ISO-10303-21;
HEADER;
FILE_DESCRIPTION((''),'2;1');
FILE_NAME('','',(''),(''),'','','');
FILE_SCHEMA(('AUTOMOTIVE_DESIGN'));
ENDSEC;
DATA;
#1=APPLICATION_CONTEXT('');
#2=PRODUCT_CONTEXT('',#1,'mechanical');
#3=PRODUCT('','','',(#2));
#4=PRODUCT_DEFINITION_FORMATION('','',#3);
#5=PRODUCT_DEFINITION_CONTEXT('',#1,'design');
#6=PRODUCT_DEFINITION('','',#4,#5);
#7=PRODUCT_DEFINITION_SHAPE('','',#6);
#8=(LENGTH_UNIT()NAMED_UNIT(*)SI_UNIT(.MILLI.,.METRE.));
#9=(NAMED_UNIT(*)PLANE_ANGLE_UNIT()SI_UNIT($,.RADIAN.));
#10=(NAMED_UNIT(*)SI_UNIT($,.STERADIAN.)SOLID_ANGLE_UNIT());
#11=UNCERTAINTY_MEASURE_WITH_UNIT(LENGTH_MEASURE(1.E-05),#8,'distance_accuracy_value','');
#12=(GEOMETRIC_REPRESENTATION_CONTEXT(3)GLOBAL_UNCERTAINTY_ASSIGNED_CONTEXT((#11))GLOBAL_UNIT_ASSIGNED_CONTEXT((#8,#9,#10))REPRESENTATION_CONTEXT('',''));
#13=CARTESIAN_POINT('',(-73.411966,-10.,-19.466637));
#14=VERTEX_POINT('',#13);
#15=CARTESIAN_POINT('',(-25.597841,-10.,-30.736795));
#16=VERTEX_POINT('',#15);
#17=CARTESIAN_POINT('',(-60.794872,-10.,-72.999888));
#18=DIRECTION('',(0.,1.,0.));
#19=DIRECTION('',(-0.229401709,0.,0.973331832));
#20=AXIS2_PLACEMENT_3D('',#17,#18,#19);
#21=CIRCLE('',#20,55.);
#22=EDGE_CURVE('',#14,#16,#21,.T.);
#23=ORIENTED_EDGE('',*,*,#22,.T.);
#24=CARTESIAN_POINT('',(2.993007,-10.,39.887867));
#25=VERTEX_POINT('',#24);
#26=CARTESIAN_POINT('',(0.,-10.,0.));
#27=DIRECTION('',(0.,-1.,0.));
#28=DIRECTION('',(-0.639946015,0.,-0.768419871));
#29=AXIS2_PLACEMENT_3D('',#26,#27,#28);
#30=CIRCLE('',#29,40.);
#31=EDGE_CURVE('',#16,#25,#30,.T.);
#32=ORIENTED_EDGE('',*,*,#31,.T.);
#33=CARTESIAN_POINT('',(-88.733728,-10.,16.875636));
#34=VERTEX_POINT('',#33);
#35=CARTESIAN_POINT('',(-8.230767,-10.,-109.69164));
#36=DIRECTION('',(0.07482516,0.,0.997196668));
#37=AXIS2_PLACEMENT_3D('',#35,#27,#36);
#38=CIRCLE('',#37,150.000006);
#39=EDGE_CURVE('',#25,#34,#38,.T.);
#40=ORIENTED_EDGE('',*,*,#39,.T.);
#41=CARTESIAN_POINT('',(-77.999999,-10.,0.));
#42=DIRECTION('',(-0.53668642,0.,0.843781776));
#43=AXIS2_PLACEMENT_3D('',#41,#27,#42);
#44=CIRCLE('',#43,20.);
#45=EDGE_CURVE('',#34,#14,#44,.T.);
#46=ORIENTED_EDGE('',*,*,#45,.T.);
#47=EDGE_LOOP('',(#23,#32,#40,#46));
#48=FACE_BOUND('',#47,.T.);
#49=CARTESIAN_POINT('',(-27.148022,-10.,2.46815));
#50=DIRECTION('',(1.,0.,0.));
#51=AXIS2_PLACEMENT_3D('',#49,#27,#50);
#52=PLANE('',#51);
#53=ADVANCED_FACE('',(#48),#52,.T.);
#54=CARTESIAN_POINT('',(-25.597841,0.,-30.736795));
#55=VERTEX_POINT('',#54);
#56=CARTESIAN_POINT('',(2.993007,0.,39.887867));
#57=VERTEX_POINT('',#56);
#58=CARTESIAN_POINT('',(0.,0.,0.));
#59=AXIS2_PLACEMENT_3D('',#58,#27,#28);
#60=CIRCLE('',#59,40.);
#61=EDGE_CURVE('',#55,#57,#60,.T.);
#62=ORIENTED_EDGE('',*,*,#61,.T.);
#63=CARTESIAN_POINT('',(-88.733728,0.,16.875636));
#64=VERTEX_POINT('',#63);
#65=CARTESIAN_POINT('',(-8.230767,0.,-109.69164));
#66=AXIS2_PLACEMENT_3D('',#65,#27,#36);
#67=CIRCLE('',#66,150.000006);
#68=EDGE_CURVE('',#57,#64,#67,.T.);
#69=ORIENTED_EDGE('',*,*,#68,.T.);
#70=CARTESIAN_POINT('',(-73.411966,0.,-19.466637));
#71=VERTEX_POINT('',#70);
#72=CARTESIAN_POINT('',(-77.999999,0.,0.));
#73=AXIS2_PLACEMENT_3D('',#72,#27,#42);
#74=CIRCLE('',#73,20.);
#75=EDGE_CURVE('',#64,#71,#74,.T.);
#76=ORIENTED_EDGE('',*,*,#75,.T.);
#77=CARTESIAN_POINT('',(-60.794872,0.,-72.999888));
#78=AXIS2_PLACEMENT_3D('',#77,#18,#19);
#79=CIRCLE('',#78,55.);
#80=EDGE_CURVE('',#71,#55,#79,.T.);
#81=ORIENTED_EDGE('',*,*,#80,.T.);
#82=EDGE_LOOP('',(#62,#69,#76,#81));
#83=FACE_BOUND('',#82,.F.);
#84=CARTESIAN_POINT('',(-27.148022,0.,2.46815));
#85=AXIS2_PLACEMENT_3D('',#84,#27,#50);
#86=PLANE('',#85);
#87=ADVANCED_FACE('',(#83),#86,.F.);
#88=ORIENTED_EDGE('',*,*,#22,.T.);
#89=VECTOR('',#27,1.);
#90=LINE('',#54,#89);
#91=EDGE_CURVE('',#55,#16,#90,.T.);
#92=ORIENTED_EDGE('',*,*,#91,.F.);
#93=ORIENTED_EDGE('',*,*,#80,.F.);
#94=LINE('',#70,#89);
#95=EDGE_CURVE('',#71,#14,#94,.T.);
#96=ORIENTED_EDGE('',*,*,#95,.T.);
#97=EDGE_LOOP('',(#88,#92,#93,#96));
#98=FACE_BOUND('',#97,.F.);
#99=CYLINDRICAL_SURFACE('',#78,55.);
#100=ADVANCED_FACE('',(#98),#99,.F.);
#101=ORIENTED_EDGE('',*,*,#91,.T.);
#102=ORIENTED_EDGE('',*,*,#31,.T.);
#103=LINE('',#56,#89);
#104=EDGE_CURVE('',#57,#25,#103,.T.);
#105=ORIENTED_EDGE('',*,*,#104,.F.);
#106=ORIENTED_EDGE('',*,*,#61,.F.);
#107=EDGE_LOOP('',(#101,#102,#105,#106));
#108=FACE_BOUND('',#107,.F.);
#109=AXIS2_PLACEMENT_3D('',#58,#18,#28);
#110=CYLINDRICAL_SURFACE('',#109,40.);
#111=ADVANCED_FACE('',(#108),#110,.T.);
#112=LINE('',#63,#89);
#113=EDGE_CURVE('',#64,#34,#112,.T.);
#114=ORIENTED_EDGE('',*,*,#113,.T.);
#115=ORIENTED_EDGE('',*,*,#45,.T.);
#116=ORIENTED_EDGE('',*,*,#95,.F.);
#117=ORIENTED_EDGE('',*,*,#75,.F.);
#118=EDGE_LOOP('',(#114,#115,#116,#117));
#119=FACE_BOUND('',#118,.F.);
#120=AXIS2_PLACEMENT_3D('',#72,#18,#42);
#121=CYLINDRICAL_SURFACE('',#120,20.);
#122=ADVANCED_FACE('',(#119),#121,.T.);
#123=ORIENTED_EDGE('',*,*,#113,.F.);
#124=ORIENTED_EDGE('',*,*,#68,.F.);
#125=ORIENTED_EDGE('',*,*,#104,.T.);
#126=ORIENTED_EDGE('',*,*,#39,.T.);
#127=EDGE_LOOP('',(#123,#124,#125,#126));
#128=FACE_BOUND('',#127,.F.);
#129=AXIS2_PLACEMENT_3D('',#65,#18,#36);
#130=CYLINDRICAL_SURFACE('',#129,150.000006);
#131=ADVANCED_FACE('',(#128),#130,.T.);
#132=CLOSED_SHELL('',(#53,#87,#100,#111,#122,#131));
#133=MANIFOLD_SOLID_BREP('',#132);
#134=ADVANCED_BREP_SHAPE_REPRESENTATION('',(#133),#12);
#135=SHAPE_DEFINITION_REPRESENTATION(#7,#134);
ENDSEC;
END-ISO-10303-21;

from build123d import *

# Parameters (mm, degrees)
F1_DEPTH = 10


with BuildPart() as f1:
    # F0 (on Front) → F1 (new body)
    with BuildSketch(Plane.XZ):
        with BuildLine():
            ThreePointArc((-73.411966, -19.466637), (-48.17673, -19.466884), (-25.597841, -30.736795))
            ThreePointArc((-25.597841, -30.736795), (37.077019, -15.009819), (2.993007, 39.887867))
            ThreePointArc((2.993007, 39.887867), (-44.731344, 35.799631), (-88.733728, 16.875636))
            ThreePointArc((-88.733728, 16.875636), (-96.429123, -7.769647), (-73.411966, -19.466637))
        make_face()
    extrude(amount=F1_DEPTH)


solid = f1.part
